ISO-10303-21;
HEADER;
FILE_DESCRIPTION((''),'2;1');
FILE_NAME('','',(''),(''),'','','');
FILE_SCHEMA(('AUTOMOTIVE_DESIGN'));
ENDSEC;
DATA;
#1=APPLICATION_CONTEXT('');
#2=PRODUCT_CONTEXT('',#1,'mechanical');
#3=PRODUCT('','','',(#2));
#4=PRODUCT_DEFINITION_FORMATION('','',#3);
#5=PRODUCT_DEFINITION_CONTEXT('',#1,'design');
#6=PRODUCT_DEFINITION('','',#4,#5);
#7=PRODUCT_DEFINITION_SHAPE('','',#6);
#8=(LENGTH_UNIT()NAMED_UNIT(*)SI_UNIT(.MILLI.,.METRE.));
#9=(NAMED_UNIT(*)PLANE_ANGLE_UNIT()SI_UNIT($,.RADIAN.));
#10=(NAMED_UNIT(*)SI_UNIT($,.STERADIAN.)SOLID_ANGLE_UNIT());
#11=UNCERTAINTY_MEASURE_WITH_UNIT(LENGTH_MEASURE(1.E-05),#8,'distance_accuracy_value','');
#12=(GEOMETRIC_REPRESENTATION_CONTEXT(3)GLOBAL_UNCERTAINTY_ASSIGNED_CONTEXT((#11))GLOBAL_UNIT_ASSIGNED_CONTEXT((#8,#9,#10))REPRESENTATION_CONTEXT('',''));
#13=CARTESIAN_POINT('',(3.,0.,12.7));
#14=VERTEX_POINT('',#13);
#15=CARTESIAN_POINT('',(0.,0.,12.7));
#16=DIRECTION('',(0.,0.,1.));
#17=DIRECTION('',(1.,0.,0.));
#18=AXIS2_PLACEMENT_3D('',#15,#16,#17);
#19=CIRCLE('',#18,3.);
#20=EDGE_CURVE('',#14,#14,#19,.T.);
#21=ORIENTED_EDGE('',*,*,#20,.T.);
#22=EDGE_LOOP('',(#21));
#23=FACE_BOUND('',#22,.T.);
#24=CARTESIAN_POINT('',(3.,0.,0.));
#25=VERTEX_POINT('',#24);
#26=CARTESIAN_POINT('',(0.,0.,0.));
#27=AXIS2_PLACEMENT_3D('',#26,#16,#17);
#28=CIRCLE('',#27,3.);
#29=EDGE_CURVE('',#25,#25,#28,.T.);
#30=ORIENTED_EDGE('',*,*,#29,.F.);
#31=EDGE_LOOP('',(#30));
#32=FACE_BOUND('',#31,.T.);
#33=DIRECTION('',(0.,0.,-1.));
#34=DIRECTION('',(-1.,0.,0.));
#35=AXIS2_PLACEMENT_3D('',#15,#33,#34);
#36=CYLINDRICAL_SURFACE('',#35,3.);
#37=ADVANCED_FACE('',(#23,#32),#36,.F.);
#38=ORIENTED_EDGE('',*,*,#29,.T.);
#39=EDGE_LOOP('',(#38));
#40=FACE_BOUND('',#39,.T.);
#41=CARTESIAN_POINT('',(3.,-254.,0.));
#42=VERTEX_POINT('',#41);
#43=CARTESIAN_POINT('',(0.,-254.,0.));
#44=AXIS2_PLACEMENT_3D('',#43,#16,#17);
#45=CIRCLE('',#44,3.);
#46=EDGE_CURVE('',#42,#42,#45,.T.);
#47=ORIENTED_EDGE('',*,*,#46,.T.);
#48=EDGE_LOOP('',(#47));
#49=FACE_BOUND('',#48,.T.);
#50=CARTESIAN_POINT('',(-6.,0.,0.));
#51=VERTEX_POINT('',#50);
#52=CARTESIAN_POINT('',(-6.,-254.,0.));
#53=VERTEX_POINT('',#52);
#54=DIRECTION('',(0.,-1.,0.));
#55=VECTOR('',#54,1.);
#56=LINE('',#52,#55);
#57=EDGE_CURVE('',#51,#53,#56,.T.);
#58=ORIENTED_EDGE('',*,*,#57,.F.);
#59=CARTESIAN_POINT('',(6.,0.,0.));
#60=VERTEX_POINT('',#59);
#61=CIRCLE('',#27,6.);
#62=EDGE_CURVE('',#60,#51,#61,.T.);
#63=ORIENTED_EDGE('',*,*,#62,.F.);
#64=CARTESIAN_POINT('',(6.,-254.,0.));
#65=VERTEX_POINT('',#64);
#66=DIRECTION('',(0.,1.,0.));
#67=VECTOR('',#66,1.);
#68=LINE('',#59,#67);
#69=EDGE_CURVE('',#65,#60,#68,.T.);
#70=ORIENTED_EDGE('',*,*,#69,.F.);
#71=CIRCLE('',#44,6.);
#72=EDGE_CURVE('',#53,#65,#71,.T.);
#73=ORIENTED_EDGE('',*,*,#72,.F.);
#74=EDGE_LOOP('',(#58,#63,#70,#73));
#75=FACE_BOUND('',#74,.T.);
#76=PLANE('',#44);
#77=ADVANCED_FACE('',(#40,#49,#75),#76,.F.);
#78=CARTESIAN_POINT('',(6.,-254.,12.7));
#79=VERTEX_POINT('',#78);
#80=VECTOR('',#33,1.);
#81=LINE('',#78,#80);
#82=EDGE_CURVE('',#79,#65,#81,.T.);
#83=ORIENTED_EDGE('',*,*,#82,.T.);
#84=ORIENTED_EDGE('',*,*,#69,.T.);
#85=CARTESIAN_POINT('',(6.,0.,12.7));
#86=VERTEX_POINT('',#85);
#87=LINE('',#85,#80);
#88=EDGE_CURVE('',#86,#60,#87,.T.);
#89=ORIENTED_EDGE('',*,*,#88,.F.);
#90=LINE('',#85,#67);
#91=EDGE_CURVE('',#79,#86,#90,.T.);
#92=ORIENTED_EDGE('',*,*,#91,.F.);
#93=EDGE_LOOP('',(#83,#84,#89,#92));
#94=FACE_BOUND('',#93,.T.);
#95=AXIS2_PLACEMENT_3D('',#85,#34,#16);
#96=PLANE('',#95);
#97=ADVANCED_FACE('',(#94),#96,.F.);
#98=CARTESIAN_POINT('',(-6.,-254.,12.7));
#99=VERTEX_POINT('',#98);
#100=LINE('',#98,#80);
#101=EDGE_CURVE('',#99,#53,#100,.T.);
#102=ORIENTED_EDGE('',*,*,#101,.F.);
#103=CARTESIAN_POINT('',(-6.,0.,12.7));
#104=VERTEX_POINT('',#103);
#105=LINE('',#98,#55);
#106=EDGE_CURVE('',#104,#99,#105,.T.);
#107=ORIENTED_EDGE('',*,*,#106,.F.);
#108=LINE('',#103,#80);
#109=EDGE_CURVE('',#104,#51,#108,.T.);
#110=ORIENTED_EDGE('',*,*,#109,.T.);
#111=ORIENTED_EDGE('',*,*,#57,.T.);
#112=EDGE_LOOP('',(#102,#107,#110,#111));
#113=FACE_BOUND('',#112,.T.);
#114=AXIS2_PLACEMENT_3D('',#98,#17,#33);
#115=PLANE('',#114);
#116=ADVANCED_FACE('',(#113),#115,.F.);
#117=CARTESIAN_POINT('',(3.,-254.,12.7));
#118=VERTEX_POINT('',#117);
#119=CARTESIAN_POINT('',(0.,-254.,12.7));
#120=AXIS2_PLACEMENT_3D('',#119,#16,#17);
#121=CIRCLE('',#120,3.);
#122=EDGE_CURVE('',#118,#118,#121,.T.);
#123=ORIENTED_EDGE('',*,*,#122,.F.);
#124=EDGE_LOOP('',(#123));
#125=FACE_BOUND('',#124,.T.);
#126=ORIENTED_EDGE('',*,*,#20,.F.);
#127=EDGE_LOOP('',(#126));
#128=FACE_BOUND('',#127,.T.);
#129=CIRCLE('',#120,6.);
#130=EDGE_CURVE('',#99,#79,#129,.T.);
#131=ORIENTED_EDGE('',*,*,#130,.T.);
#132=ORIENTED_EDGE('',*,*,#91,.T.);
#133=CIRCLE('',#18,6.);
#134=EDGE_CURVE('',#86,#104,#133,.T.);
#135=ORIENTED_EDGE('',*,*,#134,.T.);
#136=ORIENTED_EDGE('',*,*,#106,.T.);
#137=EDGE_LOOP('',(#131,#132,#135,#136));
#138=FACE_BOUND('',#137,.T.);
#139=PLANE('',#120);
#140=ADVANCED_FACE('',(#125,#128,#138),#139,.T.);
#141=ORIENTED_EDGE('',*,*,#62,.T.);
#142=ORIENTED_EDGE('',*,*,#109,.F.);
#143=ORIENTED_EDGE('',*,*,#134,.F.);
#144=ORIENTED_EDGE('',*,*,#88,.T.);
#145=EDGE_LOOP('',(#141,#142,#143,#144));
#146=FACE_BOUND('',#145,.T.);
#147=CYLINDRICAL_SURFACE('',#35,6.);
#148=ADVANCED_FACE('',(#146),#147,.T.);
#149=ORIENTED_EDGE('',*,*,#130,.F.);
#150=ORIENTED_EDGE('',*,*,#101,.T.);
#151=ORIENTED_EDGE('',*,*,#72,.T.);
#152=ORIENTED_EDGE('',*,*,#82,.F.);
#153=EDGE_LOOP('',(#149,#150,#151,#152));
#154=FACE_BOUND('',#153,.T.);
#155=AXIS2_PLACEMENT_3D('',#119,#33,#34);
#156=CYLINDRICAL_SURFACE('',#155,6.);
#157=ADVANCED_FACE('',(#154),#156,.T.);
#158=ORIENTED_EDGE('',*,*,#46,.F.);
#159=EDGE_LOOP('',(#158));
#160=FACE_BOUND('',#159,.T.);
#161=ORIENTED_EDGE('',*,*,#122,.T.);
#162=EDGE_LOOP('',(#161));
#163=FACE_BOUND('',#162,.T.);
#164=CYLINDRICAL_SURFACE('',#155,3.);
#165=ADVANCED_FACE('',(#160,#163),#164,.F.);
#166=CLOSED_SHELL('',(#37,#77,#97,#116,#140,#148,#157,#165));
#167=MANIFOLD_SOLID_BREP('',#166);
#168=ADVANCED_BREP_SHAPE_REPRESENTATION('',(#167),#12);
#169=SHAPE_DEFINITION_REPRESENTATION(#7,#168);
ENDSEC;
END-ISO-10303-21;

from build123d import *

# Parameters (mm, degrees)
SKETCH1_R           = 3
BOSS_EXTRUDE1_DEPTH = 12.7


with BuildPart() as part:
    # Sketch1 → Boss-Extrude1 (new body)
    with BuildSketch(Plane.XY):
        with BuildLine():
            Line((-6, -254), (-6, 0))
            ThreePointArc((-6, 0), (0, 6), (6, 0))
            Line((6, 0), (6, -254))
            ThreePointArc((6, -254), (0, -260), (-6, -254))
        make_face()
        Circle(SKETCH1_R, mode=Mode.SUBTRACT)
        with Locations((0, -254)):
            Circle(SKETCH1_R, mode=Mode.SUBTRACT)
    extrude(amount=BOSS_EXTRUDE1_DEPTH)


solid = part.part
